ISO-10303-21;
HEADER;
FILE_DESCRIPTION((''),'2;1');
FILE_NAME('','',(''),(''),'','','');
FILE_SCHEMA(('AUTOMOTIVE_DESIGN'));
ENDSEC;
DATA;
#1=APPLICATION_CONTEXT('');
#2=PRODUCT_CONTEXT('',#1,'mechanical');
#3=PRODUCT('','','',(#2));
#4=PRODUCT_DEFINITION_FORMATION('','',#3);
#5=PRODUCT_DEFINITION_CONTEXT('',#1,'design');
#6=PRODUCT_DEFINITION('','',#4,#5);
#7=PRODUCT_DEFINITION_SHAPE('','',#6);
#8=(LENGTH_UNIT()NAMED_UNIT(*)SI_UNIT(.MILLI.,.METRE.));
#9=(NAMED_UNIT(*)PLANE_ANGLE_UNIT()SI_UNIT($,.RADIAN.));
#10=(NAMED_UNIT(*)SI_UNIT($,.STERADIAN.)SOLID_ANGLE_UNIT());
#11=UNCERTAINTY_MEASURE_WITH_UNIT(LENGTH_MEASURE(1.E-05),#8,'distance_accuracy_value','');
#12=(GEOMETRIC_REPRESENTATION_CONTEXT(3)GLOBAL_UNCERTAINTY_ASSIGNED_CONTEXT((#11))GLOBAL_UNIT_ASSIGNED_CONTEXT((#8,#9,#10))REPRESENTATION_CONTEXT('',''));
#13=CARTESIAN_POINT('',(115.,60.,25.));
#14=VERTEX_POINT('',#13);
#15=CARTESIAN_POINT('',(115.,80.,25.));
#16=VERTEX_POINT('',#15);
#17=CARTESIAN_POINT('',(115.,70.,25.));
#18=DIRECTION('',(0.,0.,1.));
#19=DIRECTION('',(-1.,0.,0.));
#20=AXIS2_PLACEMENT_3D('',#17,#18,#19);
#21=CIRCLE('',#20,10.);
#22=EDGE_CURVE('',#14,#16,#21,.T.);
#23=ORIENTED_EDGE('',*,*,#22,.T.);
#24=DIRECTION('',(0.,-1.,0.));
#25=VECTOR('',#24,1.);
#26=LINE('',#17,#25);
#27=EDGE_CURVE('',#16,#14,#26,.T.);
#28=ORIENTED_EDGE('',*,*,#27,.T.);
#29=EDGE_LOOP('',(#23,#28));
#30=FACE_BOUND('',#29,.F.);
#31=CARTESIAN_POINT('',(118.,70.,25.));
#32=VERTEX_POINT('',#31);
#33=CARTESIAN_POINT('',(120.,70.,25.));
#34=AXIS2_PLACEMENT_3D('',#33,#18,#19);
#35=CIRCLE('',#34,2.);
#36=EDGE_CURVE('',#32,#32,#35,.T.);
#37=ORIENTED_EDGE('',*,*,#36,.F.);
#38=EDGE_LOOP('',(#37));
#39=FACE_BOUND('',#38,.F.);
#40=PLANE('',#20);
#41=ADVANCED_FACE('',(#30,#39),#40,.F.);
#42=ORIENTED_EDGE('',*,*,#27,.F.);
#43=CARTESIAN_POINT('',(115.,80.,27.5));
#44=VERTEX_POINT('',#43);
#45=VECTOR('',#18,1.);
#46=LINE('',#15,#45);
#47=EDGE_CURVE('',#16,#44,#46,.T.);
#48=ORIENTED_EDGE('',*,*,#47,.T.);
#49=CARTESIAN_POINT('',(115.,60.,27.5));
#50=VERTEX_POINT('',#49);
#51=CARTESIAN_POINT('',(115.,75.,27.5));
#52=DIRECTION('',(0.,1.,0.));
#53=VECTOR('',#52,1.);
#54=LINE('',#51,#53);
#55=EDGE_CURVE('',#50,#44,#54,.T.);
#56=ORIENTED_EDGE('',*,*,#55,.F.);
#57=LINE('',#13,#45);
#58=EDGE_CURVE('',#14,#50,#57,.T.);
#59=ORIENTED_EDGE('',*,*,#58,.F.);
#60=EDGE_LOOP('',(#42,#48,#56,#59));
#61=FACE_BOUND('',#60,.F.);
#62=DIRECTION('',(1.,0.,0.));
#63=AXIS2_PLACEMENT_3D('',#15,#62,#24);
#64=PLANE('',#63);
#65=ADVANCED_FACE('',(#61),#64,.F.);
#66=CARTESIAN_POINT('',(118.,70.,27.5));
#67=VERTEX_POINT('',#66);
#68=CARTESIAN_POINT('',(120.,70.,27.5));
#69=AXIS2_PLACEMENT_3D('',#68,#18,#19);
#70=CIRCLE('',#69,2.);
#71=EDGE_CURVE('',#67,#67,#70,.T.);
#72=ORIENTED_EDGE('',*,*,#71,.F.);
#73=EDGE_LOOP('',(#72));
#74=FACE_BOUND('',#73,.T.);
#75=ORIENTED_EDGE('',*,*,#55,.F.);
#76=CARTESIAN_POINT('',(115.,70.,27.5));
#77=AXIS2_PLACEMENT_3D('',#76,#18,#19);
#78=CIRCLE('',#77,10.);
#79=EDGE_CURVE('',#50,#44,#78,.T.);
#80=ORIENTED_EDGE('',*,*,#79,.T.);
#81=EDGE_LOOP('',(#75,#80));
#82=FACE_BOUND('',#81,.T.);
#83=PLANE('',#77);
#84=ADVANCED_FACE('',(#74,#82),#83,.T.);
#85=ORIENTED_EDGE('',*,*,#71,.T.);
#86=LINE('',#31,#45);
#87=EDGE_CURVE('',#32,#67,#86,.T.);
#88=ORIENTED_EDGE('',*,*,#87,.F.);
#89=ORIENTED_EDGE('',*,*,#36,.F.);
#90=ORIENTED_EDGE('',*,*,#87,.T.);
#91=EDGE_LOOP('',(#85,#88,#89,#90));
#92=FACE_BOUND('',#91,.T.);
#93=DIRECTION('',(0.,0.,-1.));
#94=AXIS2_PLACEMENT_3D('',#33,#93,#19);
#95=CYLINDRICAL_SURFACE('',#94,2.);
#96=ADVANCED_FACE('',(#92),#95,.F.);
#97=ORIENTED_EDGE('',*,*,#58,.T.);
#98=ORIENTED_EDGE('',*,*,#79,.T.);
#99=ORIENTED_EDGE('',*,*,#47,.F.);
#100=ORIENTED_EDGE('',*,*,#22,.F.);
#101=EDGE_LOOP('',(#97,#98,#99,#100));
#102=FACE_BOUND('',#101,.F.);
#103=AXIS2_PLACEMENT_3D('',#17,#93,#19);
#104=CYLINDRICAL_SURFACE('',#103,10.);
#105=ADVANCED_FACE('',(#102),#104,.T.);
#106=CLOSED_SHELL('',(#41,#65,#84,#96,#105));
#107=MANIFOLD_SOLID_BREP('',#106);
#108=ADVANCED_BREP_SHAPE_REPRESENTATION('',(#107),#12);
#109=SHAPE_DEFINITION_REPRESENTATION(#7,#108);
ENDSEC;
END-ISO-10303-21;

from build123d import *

# Parameters (mm, degrees)
BOX011_W               = 10
BOX011_H               = 20
BOX011_DEPTH           = 5
CYLINDER007_R          = 2
CYLINDER007_DEPTH      = 2.5
CYLINDER006_R          = 10
CYLINDER006_DEPTH      = 2.5
CUT012_PLACEMENT_ANGLE = 180


with BuildPart() as cubo003:
    # Box011 → Box011 (new body)
    with BuildSketch(Plane.XY.offset(25)):
        with Locations((5, 10)):
            Rectangle(BOX011_W, BOX011_H)
    extrude(amount=BOX011_DEPTH)


with BuildPart() as cilindro007:
    # Cylinder007 → Cylinder007 (new body)
    with BuildSketch(Plane(origin=(-5, 10, 25), x_dir=(1, 0, 0), z_dir=(0, 0, 1))):
        Circle(CYLINDER007_R)
    extrude(amount=CYLINDER007_DEPTH)


with BuildPart() as cut012:
    # Cylinder006 → Cylinder006 (new body)
    with BuildSketch(Plane(origin=(0, 10, 25), x_dir=(1, 0, 0), z_dir=(0, 0, 1))):
        Circle(CYLINDER006_R)
    extrude(amount=CYLINDER006_DEPTH)

    # Cut011: cut Cilindro007
    add(cilindro007.part, mode=Mode.SUBTRACT)

    # Cut012: cut Cubo003
    add(cubo003.part, mode=Mode.SUBTRACT)


with BuildPart() as cut012_1:
    # Cut012 placement: moved
    add(cut012.part.moved(Location((115, 80, 0))).rotate(Axis((115, 80, 0), (0, 0, 1)), CUT012_PLACEMENT_ANGLE))


solid = cut012_1.part
